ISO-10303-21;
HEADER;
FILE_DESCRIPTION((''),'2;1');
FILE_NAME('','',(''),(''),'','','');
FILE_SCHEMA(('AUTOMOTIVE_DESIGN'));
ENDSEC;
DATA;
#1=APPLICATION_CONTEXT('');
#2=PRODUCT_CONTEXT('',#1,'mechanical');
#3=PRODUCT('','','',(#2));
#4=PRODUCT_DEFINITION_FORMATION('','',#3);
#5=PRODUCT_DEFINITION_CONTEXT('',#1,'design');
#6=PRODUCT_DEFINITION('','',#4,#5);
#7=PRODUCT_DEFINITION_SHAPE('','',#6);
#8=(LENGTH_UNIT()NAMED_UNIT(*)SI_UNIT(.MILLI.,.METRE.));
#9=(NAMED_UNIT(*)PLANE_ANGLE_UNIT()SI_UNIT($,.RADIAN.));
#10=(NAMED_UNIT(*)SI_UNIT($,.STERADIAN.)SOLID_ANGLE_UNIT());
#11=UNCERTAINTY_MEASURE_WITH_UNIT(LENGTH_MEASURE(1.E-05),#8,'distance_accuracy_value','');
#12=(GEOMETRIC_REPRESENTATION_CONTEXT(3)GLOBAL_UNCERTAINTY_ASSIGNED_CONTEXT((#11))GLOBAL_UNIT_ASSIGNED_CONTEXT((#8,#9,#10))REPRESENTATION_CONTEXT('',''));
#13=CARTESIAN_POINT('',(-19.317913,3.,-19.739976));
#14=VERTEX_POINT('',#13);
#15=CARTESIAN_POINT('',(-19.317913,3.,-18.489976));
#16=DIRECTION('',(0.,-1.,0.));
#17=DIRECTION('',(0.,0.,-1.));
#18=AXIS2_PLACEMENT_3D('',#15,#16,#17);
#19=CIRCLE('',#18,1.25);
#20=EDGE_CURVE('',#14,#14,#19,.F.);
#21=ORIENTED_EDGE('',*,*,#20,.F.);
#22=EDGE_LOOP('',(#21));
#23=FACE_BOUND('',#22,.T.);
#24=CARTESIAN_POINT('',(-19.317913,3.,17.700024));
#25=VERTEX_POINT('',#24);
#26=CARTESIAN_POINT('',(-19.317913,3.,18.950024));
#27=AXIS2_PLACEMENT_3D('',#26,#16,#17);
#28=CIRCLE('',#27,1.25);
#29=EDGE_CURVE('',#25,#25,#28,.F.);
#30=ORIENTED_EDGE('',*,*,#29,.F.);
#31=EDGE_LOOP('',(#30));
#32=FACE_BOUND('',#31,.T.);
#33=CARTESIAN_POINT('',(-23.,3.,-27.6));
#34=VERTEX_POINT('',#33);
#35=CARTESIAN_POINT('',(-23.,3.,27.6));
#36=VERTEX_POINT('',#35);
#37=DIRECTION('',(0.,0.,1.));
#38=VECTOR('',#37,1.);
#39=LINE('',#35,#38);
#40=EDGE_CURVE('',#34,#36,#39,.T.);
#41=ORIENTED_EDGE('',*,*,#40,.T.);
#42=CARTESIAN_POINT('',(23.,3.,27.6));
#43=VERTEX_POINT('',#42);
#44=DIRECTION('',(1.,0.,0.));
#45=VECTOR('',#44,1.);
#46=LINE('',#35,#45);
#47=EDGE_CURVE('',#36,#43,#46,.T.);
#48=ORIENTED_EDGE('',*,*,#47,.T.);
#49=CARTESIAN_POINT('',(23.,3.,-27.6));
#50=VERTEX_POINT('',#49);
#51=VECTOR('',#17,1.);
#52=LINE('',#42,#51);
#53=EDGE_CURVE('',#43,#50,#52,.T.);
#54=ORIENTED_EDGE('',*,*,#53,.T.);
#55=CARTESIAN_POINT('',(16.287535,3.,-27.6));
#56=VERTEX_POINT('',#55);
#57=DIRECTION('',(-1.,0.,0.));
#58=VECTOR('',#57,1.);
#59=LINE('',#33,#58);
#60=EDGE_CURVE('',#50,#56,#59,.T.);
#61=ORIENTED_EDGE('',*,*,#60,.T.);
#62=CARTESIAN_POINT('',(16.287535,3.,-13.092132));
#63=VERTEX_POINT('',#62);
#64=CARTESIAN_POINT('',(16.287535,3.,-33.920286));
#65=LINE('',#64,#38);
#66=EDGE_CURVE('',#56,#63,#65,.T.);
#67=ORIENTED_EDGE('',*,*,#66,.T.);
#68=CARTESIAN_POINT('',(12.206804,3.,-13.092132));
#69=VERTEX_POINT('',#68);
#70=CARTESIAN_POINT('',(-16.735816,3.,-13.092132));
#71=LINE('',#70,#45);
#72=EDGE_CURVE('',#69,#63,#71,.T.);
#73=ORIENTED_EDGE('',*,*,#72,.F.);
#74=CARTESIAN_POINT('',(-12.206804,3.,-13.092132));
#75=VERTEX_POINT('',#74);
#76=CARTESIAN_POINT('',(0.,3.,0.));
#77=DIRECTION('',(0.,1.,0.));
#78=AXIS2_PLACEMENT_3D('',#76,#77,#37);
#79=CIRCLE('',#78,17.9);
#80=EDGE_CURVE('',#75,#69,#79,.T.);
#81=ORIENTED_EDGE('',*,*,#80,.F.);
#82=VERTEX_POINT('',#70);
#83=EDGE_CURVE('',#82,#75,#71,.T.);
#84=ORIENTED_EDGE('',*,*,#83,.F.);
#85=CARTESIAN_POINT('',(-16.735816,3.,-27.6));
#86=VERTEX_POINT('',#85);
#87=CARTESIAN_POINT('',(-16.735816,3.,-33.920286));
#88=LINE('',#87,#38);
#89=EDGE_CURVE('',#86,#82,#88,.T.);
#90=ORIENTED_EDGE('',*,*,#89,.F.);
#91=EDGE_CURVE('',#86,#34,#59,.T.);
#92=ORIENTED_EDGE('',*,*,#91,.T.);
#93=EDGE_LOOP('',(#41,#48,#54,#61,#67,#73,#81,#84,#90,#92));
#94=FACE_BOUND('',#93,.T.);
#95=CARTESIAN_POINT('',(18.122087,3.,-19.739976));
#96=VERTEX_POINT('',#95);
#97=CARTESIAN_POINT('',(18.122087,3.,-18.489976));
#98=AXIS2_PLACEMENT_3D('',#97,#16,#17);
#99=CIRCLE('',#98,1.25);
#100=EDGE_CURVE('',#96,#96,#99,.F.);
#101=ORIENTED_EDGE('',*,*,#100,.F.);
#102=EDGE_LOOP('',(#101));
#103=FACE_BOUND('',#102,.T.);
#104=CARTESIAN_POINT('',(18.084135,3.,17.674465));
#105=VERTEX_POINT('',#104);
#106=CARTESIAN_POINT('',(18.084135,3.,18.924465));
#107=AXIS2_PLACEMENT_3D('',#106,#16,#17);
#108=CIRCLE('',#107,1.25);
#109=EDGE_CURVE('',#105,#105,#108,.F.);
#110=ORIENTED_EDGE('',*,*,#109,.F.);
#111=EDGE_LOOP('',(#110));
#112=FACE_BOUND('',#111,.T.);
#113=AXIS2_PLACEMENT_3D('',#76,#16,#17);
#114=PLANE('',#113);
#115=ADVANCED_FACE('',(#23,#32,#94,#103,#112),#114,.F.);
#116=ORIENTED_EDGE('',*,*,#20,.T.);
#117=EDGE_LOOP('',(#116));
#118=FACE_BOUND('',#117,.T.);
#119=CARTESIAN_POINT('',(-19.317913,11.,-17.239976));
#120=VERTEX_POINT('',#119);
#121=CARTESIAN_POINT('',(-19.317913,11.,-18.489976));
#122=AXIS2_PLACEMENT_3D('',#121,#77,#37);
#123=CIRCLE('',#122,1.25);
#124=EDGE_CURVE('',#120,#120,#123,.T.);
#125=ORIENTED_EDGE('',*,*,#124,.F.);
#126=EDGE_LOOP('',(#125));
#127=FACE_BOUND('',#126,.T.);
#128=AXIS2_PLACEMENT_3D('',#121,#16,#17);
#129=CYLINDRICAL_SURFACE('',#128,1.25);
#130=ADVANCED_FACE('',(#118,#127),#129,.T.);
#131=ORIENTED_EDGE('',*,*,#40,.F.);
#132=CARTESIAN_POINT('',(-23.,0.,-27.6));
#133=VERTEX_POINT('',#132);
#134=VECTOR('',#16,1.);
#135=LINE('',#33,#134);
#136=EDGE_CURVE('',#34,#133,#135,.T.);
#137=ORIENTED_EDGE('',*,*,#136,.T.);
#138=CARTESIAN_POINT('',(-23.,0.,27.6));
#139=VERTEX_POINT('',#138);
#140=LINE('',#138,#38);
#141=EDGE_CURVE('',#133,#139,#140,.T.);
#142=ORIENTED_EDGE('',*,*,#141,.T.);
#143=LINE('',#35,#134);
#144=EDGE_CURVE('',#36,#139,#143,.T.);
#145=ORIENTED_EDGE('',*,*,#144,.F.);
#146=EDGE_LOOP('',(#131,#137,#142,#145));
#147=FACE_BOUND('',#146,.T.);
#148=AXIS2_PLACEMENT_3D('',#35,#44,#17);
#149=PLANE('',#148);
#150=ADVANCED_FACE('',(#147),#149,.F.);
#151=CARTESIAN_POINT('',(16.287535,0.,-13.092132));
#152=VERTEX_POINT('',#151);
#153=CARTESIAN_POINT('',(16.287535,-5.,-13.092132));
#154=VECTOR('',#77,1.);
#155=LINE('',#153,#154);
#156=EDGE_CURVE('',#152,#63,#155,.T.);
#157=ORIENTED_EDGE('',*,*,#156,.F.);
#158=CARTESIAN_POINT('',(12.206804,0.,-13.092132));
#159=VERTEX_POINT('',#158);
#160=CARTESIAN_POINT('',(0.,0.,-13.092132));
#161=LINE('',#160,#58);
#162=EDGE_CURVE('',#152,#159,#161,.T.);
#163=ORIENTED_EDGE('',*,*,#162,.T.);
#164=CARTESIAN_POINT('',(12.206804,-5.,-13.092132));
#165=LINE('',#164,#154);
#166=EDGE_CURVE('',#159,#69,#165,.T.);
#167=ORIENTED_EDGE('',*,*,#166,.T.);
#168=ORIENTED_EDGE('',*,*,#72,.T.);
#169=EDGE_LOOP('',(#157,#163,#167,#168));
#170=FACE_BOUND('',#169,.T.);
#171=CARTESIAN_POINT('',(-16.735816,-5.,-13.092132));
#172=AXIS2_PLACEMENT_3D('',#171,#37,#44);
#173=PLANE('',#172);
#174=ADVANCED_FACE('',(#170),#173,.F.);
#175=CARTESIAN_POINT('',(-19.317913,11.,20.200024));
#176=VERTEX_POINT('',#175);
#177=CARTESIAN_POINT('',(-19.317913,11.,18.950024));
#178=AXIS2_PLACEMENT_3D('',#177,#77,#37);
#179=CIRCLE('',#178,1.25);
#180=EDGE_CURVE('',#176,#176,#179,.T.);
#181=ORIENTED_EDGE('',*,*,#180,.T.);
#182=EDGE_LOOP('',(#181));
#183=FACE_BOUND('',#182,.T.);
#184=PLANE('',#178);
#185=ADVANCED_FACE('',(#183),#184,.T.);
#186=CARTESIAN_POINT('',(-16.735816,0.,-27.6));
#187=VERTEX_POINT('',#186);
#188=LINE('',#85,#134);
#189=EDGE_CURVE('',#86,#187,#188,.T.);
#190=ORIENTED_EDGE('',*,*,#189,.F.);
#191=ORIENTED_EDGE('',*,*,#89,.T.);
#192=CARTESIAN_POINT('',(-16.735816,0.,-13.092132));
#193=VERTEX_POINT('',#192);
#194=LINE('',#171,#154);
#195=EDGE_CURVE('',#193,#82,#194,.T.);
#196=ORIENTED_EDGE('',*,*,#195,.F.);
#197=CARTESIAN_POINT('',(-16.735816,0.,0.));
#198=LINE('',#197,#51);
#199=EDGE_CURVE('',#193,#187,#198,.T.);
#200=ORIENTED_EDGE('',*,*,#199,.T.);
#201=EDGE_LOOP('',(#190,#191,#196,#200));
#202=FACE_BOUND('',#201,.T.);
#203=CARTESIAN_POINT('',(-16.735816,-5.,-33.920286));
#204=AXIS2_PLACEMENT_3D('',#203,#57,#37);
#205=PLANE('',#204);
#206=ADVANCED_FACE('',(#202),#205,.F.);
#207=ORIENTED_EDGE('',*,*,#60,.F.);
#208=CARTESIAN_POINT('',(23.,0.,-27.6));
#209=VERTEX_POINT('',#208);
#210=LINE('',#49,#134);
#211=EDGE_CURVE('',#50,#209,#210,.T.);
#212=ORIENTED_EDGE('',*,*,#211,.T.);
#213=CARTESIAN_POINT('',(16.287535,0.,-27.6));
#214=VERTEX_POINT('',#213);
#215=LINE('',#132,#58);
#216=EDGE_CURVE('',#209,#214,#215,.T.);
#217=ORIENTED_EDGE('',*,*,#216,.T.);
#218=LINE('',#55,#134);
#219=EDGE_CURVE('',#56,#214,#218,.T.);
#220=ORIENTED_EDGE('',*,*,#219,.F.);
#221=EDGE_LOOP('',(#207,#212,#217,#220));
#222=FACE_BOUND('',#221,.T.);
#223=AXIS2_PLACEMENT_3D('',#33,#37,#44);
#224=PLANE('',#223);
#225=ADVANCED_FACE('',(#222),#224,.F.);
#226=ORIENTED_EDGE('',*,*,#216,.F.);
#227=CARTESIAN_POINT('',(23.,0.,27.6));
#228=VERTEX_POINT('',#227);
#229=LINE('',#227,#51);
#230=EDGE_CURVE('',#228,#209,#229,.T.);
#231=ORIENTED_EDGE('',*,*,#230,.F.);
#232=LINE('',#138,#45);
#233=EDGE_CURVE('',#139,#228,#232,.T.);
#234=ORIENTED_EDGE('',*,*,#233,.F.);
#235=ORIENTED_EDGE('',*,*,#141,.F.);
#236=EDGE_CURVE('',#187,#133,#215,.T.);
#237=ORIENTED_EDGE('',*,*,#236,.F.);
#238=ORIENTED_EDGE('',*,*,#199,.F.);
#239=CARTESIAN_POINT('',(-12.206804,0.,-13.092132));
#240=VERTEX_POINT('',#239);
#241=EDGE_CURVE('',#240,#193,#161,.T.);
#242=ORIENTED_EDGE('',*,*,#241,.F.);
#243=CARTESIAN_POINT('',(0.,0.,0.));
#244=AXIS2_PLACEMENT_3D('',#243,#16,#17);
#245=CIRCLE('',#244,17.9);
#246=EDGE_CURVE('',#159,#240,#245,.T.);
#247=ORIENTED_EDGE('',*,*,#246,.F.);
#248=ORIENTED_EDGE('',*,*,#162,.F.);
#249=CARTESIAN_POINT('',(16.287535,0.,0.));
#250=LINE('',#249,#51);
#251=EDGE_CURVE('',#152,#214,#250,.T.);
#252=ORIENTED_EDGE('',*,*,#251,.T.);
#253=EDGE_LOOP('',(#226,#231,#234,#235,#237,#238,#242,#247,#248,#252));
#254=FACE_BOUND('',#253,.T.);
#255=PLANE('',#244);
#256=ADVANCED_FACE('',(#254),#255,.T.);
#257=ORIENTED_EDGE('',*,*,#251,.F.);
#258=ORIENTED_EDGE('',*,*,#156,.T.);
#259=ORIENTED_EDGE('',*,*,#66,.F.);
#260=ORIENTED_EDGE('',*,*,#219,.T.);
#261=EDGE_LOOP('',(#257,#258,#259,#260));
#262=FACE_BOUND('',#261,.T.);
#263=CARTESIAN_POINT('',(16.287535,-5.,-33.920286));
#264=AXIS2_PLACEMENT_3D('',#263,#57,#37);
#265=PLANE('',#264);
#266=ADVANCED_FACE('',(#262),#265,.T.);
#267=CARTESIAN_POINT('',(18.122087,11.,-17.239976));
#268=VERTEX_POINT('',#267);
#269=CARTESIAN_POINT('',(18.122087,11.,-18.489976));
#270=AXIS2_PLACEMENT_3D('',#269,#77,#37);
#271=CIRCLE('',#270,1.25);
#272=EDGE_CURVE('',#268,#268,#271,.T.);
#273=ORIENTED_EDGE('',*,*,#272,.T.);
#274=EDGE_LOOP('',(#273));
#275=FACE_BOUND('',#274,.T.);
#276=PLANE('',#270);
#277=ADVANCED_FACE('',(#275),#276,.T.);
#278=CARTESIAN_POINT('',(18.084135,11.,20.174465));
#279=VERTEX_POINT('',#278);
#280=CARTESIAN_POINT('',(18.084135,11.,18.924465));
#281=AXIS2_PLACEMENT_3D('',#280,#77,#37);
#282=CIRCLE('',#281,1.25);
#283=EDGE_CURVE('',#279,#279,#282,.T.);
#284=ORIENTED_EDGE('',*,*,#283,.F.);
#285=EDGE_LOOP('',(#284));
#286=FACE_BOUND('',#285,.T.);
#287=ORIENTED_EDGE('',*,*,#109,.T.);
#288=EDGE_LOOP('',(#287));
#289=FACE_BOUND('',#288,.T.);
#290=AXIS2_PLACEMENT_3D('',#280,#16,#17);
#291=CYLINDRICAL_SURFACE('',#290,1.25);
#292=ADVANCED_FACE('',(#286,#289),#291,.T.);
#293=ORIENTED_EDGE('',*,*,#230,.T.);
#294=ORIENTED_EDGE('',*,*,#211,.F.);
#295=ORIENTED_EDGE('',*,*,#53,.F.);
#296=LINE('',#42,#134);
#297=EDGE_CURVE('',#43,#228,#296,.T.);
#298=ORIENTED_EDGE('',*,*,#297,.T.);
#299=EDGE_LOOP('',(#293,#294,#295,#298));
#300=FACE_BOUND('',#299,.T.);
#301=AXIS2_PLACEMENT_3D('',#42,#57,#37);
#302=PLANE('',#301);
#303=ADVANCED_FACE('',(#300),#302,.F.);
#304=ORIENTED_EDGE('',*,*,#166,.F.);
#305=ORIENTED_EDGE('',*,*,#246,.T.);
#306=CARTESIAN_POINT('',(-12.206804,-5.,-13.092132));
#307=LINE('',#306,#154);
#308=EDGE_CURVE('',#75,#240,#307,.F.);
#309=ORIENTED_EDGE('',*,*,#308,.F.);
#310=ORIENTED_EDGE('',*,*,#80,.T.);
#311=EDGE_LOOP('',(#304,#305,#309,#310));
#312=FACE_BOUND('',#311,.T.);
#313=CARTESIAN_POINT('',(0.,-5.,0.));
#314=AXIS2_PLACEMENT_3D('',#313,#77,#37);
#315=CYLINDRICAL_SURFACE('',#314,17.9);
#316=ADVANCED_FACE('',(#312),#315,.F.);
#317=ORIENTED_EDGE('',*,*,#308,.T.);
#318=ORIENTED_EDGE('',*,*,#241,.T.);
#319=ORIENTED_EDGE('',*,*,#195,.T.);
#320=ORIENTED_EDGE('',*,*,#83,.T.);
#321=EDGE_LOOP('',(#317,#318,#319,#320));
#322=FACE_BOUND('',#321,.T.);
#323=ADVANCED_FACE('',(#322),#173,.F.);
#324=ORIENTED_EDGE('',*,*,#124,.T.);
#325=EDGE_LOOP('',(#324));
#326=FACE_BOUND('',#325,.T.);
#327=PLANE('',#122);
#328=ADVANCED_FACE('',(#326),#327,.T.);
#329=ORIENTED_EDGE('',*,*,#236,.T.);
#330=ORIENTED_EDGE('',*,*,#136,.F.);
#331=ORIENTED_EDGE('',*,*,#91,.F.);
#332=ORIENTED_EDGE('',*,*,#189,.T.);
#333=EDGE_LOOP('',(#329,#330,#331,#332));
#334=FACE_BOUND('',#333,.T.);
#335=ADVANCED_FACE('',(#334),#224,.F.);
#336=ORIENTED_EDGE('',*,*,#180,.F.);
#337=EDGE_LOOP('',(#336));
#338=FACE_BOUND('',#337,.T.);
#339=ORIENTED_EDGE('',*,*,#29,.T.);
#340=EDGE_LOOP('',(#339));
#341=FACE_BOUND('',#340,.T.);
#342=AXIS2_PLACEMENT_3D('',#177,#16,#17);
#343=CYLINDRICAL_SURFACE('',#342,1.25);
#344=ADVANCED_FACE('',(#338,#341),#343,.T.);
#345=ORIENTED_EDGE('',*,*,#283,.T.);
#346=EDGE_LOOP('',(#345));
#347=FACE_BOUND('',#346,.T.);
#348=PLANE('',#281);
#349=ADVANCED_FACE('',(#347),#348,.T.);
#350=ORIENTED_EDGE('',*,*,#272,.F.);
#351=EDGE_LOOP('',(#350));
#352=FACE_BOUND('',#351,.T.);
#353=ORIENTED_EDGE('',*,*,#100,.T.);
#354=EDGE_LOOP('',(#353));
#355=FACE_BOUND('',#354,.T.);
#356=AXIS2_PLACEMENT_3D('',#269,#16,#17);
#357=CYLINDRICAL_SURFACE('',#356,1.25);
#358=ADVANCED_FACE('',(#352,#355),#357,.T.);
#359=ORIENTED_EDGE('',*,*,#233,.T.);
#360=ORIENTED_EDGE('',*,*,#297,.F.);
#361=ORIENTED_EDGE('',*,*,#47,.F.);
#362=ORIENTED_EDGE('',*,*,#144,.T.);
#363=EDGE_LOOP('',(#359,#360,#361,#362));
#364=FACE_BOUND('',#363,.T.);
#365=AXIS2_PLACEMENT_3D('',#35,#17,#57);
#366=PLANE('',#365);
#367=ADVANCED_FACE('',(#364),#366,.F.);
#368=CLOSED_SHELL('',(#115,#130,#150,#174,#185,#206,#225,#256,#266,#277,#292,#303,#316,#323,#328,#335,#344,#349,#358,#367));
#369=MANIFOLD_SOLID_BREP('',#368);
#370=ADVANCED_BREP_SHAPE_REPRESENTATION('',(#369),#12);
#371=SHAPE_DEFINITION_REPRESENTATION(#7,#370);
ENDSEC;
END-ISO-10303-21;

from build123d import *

# Parameters (mm, degrees)
SKETCH1_W           = 46
SKETCH1_H           = 55.2
BOSS_EXTRUDE1_DEPTH = 3
SKETCH4_W           = 33.02335113
SKETCH4_H           = 20.828153407
CUT_EXTRUDE1_DEPTH  = 8
SKETCH3_R           = 17.9
CUT_EXTRUDE2_DEPTH  = 8
SKETCH5_R           = 1.25
BOSS_EXTRUDE2_DEPTH = 8


with BuildPart() as part:
    # Sketch1 → Boss-Extrude1 (new body)
    with BuildSketch(Plane(origin=(0, 0, 0), x_dir=(1, 0, 0), z_dir=(0, 1, 0))):
        Rectangle(SKETCH1_W, SKETCH1_H)
    extrude(amount=BOSS_EXTRUDE1_DEPTH)

    # Sketch4 → Cut-Extrude1 (cut)
    with BuildSketch(Plane(origin=(0, 3, 0), x_dir=(1, 0, 0), z_dir=(0, 1, 0))):
        with Locations((-0.224140392, 23.506208916)):
            Rectangle(SKETCH4_W, SKETCH4_H)
    extrude(amount=-CUT_EXTRUDE1_DEPTH, mode=Mode.SUBTRACT)

    # Sketch3 → Cut-Extrude2 (cut)
    with BuildSketch(Plane(origin=(0, 3, 0), x_dir=(1, 0, 0), z_dir=(0, 1, 0))):
        Circle(SKETCH3_R)
    extrude(amount=-CUT_EXTRUDE2_DEPTH, mode=Mode.SUBTRACT)

    # Sketch5 → Boss-Extrude2 (add)
    with BuildSketch(Plane(origin=(0, 3, 0), x_dir=(1, 0, 0), z_dir=(0, 1, 0))):
        with Locations(Location((-19.317913276, 18.489975821, 0), (0, 0, 90))):
            Circle(SKETCH5_R)
        with Locations(Location((18.122086724, 18.489975821, 0), (0, 0, 90))):
            Circle(SKETCH5_R)
        with Locations(Location((-19.317913276, -18.950024179, 0), (0, 0, 90))):
            Circle(SKETCH5_R)
        with Locations(Location((18.084134894, -18.924464602, 0), (0, 0, 90))):
            Circle(SKETCH5_R)
    extrude(amount=BOSS_EXTRUDE2_DEPTH)


solid = part.part
